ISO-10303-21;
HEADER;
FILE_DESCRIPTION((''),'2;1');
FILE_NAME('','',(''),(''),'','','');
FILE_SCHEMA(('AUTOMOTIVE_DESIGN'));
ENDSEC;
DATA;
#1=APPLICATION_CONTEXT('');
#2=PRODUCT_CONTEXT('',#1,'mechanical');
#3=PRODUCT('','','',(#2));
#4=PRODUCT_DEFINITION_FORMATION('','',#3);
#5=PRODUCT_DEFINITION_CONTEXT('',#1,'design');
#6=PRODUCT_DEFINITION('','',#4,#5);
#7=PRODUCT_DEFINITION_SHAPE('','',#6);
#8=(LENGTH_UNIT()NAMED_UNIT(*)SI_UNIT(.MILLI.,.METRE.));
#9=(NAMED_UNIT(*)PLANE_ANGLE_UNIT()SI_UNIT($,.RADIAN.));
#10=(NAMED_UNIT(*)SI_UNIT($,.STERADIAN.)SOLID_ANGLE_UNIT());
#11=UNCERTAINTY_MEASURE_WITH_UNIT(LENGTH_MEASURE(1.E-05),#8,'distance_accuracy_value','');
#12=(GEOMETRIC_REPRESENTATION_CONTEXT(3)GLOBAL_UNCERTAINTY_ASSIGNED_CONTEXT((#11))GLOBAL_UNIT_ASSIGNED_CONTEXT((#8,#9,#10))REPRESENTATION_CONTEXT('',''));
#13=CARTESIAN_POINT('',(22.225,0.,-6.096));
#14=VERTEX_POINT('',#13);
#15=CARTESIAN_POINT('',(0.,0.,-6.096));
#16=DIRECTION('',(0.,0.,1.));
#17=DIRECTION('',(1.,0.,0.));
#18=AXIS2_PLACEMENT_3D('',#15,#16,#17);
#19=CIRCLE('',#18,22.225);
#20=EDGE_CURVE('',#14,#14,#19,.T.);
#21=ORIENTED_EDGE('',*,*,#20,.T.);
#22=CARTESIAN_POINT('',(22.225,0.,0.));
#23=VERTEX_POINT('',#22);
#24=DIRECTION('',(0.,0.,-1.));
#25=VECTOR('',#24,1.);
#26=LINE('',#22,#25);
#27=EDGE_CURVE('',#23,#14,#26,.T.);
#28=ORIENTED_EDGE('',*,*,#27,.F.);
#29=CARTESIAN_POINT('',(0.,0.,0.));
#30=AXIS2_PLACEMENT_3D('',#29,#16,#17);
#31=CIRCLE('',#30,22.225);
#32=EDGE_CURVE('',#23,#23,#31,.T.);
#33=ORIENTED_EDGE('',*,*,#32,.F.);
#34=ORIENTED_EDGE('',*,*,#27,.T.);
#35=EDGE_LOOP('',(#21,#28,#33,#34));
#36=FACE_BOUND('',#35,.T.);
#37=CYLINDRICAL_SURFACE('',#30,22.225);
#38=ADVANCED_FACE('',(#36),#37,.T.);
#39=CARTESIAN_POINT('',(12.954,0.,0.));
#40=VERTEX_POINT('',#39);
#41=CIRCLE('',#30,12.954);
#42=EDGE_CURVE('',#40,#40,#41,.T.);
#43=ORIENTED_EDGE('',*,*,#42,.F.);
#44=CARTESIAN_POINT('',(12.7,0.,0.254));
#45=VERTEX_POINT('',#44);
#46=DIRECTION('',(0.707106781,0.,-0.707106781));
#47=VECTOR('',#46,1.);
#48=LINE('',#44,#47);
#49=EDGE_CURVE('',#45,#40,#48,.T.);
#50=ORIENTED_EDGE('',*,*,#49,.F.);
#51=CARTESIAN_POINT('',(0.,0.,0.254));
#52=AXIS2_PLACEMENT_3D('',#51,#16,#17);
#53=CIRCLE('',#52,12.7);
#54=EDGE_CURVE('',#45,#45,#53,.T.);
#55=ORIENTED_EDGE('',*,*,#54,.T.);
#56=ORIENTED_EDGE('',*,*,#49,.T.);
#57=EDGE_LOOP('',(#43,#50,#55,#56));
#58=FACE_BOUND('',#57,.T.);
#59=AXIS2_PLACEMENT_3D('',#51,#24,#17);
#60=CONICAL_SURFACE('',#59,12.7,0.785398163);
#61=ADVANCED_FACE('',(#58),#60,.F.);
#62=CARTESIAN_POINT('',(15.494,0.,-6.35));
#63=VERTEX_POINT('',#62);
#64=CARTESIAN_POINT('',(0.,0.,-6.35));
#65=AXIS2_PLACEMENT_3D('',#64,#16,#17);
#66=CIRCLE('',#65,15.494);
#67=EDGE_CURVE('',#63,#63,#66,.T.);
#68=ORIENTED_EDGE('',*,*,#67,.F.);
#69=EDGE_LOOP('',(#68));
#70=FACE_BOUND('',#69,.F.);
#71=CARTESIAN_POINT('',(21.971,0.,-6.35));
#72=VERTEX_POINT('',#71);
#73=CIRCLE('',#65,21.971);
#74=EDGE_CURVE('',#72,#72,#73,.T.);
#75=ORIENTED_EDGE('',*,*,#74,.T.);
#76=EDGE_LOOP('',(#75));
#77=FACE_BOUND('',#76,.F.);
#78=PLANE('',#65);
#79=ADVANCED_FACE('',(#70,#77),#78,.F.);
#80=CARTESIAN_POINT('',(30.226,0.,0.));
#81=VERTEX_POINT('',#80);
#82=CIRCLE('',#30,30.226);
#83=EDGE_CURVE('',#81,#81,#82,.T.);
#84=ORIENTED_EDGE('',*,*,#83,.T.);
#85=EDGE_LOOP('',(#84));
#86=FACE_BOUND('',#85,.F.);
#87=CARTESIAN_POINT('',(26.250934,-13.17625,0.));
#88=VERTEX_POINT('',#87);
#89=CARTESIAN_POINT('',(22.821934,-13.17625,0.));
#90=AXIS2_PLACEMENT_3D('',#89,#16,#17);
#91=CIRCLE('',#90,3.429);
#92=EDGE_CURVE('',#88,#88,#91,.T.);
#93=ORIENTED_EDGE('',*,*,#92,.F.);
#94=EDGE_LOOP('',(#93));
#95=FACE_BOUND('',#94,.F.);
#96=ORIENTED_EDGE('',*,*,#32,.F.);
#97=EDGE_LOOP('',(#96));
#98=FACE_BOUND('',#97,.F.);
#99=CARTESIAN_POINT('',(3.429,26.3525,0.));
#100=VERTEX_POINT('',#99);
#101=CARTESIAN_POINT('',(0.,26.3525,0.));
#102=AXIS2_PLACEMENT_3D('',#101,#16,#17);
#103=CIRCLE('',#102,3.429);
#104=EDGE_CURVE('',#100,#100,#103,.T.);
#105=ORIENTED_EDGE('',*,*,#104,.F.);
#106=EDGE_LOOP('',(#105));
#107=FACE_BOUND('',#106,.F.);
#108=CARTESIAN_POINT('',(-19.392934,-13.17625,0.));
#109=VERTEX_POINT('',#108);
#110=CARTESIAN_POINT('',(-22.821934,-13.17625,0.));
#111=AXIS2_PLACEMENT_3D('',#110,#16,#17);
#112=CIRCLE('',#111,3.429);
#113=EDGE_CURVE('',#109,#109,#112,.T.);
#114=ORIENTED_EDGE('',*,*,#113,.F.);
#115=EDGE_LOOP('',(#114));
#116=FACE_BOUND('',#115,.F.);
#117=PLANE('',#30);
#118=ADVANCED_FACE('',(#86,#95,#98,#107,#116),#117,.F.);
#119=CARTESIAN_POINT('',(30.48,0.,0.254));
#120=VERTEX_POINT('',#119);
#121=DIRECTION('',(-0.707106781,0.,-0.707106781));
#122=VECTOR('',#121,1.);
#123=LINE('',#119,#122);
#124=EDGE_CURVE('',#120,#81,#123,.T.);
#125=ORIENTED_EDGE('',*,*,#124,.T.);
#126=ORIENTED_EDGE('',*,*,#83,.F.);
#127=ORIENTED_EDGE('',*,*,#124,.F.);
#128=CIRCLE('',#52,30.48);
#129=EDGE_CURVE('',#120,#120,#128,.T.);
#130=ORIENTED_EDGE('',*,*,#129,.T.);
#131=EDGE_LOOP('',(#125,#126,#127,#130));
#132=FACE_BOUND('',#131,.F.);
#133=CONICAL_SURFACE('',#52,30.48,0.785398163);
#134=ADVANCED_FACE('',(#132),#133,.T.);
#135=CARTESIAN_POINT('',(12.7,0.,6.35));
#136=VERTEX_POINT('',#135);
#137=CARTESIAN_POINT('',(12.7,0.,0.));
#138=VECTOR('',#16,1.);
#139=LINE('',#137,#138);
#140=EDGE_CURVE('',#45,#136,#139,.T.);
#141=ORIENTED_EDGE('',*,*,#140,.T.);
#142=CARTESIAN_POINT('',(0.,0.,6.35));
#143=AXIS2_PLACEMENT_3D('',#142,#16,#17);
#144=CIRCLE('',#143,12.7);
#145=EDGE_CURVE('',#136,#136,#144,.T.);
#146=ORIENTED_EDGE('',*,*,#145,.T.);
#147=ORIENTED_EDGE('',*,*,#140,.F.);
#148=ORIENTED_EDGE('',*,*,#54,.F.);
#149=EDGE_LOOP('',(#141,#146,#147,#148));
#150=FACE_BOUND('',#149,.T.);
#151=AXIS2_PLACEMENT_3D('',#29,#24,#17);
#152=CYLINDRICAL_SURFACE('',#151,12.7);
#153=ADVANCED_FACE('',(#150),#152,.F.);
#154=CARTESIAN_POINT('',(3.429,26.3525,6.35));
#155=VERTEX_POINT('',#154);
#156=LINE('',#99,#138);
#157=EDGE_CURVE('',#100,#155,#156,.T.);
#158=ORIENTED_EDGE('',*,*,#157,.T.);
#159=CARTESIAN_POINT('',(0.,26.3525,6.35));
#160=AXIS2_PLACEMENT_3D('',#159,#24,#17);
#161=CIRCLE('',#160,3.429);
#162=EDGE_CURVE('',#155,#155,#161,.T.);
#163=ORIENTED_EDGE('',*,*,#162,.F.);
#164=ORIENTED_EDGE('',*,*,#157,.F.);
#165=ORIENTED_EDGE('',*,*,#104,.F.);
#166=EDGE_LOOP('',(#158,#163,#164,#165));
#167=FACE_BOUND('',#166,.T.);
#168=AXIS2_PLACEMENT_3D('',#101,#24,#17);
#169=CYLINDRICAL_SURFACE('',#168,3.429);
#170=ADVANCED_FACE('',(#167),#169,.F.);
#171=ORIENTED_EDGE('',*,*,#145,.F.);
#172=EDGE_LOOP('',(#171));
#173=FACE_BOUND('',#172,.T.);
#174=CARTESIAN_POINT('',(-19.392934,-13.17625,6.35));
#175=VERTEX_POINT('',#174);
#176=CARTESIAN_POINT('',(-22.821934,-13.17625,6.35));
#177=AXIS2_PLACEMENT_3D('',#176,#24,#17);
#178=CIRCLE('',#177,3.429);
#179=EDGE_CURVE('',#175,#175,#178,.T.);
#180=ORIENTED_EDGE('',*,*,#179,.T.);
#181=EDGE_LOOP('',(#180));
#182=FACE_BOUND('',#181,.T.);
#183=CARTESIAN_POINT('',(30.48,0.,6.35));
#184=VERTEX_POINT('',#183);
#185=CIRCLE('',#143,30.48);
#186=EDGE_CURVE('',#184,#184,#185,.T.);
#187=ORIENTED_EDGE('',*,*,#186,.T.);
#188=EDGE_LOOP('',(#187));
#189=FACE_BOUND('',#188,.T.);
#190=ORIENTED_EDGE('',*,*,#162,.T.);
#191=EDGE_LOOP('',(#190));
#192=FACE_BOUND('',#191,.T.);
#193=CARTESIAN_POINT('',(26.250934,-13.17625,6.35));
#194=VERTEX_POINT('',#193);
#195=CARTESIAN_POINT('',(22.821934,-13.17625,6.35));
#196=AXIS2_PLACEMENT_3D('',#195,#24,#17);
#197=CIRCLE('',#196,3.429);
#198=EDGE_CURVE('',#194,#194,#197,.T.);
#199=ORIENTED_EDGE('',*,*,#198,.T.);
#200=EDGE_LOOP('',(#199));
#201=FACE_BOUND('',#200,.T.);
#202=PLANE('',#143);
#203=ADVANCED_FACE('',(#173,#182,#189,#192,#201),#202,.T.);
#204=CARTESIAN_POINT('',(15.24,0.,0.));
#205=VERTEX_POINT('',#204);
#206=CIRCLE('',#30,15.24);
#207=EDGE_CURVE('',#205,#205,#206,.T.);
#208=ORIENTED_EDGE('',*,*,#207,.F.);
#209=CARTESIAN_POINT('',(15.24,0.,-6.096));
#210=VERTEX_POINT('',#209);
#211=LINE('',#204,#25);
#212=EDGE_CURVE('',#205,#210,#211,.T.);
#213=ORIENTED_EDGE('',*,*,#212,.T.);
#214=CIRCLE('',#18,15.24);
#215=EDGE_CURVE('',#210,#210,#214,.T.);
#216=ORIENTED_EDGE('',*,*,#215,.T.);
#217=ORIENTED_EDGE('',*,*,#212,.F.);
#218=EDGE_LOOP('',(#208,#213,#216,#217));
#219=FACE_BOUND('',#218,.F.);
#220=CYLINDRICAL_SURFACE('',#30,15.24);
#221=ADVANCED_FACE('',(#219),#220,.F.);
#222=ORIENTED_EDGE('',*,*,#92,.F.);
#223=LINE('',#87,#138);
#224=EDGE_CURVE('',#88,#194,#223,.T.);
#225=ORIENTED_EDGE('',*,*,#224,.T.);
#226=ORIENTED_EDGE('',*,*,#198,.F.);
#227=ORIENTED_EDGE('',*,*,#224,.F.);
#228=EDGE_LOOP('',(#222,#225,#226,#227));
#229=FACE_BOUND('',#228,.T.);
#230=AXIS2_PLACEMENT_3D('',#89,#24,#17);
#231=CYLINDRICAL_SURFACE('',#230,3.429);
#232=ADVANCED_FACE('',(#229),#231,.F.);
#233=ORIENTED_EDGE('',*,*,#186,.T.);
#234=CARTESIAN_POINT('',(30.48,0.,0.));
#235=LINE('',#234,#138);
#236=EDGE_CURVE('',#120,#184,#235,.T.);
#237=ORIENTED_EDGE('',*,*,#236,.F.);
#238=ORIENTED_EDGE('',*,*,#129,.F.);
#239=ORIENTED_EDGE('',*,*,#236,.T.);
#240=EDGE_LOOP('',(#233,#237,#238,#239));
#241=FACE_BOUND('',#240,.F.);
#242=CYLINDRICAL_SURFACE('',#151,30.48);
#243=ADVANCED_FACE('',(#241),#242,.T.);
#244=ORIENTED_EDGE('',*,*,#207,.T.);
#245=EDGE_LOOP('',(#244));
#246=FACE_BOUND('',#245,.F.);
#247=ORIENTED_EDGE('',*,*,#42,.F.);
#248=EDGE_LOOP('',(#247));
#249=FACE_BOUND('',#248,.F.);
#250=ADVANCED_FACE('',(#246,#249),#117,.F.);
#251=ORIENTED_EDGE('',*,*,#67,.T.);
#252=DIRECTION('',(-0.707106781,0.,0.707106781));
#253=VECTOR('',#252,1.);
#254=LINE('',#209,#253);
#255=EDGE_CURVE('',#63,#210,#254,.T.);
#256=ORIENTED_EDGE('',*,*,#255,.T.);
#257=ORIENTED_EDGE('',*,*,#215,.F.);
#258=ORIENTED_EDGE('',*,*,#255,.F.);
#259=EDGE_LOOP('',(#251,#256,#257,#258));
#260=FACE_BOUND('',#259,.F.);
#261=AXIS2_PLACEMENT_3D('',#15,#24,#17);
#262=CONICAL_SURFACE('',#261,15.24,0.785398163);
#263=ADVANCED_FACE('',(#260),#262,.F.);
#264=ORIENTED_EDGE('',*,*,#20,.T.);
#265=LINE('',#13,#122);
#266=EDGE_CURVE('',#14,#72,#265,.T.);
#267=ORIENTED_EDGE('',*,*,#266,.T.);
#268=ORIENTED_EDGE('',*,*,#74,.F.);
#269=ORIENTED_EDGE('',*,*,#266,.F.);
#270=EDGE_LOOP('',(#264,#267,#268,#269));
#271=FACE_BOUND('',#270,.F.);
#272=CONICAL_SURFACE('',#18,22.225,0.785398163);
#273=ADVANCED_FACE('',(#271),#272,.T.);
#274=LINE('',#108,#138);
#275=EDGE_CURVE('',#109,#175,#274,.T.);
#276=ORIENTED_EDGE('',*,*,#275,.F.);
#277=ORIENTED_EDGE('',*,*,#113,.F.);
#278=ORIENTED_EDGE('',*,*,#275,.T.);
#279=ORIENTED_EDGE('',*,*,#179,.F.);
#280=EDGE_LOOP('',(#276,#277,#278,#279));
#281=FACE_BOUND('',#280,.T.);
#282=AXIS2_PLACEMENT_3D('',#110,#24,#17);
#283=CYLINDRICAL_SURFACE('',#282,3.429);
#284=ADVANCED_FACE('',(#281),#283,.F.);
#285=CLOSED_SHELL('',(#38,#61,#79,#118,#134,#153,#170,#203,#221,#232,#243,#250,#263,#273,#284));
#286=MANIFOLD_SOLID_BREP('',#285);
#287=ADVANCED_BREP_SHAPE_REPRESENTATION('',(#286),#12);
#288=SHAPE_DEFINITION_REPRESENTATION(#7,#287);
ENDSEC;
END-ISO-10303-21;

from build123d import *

# Parameters (mm, degrees)
F0_R     = 30.48
F0_R_2   = 12.7
F1_DEPTH = 6.35
F2_R     = 22.225
F2_R_2   = 15.24
F3_DEPTH = 6.35
F2_R_3   = 3.429
F4_DEPTH = 34.798
F5_SIZE  = 0.254


with BuildPart() as f1:
    # F0 (on Top) → F1 (new body)
    with BuildSketch(Plane.XY):
        Circle(F0_R)
        Circle(F0_R_2, mode=Mode.SUBTRACT)
    extrude(amount=F1_DEPTH)

    # F2 (on Top) → F3 (join)
    with BuildSketch(Plane.XY):
        Circle(F2_R)
        Circle(F2_R_2, mode=Mode.SUBTRACT)
    extrude(amount=-F3_DEPTH)

    # F2 (on Top) → F4 (cut)
    with BuildSketch(Plane.XY):
        with Locations((-22.821934, -13.17625)):
            Circle(F2_R_3)
        with Locations((0, 26.3525)):
            Circle(F2_R_3)
        with Locations((22.821934, -13.17625)):
            Circle(F2_R_3)
    extrude(amount=F4_DEPTH, mode=Mode.SUBTRACT)

    # F5
    f5_edges = [f1.edges().sort_by_distance(p)[0] for p in [
        (-30.48, 0, 0),
        (-22.225, 0, -6.35),
        (-15.24, 0, -6.35),
        (-12.7, 0, 0),
    ]]
    chamfer(f5_edges, length=F5_SIZE)


solid = f1.part
